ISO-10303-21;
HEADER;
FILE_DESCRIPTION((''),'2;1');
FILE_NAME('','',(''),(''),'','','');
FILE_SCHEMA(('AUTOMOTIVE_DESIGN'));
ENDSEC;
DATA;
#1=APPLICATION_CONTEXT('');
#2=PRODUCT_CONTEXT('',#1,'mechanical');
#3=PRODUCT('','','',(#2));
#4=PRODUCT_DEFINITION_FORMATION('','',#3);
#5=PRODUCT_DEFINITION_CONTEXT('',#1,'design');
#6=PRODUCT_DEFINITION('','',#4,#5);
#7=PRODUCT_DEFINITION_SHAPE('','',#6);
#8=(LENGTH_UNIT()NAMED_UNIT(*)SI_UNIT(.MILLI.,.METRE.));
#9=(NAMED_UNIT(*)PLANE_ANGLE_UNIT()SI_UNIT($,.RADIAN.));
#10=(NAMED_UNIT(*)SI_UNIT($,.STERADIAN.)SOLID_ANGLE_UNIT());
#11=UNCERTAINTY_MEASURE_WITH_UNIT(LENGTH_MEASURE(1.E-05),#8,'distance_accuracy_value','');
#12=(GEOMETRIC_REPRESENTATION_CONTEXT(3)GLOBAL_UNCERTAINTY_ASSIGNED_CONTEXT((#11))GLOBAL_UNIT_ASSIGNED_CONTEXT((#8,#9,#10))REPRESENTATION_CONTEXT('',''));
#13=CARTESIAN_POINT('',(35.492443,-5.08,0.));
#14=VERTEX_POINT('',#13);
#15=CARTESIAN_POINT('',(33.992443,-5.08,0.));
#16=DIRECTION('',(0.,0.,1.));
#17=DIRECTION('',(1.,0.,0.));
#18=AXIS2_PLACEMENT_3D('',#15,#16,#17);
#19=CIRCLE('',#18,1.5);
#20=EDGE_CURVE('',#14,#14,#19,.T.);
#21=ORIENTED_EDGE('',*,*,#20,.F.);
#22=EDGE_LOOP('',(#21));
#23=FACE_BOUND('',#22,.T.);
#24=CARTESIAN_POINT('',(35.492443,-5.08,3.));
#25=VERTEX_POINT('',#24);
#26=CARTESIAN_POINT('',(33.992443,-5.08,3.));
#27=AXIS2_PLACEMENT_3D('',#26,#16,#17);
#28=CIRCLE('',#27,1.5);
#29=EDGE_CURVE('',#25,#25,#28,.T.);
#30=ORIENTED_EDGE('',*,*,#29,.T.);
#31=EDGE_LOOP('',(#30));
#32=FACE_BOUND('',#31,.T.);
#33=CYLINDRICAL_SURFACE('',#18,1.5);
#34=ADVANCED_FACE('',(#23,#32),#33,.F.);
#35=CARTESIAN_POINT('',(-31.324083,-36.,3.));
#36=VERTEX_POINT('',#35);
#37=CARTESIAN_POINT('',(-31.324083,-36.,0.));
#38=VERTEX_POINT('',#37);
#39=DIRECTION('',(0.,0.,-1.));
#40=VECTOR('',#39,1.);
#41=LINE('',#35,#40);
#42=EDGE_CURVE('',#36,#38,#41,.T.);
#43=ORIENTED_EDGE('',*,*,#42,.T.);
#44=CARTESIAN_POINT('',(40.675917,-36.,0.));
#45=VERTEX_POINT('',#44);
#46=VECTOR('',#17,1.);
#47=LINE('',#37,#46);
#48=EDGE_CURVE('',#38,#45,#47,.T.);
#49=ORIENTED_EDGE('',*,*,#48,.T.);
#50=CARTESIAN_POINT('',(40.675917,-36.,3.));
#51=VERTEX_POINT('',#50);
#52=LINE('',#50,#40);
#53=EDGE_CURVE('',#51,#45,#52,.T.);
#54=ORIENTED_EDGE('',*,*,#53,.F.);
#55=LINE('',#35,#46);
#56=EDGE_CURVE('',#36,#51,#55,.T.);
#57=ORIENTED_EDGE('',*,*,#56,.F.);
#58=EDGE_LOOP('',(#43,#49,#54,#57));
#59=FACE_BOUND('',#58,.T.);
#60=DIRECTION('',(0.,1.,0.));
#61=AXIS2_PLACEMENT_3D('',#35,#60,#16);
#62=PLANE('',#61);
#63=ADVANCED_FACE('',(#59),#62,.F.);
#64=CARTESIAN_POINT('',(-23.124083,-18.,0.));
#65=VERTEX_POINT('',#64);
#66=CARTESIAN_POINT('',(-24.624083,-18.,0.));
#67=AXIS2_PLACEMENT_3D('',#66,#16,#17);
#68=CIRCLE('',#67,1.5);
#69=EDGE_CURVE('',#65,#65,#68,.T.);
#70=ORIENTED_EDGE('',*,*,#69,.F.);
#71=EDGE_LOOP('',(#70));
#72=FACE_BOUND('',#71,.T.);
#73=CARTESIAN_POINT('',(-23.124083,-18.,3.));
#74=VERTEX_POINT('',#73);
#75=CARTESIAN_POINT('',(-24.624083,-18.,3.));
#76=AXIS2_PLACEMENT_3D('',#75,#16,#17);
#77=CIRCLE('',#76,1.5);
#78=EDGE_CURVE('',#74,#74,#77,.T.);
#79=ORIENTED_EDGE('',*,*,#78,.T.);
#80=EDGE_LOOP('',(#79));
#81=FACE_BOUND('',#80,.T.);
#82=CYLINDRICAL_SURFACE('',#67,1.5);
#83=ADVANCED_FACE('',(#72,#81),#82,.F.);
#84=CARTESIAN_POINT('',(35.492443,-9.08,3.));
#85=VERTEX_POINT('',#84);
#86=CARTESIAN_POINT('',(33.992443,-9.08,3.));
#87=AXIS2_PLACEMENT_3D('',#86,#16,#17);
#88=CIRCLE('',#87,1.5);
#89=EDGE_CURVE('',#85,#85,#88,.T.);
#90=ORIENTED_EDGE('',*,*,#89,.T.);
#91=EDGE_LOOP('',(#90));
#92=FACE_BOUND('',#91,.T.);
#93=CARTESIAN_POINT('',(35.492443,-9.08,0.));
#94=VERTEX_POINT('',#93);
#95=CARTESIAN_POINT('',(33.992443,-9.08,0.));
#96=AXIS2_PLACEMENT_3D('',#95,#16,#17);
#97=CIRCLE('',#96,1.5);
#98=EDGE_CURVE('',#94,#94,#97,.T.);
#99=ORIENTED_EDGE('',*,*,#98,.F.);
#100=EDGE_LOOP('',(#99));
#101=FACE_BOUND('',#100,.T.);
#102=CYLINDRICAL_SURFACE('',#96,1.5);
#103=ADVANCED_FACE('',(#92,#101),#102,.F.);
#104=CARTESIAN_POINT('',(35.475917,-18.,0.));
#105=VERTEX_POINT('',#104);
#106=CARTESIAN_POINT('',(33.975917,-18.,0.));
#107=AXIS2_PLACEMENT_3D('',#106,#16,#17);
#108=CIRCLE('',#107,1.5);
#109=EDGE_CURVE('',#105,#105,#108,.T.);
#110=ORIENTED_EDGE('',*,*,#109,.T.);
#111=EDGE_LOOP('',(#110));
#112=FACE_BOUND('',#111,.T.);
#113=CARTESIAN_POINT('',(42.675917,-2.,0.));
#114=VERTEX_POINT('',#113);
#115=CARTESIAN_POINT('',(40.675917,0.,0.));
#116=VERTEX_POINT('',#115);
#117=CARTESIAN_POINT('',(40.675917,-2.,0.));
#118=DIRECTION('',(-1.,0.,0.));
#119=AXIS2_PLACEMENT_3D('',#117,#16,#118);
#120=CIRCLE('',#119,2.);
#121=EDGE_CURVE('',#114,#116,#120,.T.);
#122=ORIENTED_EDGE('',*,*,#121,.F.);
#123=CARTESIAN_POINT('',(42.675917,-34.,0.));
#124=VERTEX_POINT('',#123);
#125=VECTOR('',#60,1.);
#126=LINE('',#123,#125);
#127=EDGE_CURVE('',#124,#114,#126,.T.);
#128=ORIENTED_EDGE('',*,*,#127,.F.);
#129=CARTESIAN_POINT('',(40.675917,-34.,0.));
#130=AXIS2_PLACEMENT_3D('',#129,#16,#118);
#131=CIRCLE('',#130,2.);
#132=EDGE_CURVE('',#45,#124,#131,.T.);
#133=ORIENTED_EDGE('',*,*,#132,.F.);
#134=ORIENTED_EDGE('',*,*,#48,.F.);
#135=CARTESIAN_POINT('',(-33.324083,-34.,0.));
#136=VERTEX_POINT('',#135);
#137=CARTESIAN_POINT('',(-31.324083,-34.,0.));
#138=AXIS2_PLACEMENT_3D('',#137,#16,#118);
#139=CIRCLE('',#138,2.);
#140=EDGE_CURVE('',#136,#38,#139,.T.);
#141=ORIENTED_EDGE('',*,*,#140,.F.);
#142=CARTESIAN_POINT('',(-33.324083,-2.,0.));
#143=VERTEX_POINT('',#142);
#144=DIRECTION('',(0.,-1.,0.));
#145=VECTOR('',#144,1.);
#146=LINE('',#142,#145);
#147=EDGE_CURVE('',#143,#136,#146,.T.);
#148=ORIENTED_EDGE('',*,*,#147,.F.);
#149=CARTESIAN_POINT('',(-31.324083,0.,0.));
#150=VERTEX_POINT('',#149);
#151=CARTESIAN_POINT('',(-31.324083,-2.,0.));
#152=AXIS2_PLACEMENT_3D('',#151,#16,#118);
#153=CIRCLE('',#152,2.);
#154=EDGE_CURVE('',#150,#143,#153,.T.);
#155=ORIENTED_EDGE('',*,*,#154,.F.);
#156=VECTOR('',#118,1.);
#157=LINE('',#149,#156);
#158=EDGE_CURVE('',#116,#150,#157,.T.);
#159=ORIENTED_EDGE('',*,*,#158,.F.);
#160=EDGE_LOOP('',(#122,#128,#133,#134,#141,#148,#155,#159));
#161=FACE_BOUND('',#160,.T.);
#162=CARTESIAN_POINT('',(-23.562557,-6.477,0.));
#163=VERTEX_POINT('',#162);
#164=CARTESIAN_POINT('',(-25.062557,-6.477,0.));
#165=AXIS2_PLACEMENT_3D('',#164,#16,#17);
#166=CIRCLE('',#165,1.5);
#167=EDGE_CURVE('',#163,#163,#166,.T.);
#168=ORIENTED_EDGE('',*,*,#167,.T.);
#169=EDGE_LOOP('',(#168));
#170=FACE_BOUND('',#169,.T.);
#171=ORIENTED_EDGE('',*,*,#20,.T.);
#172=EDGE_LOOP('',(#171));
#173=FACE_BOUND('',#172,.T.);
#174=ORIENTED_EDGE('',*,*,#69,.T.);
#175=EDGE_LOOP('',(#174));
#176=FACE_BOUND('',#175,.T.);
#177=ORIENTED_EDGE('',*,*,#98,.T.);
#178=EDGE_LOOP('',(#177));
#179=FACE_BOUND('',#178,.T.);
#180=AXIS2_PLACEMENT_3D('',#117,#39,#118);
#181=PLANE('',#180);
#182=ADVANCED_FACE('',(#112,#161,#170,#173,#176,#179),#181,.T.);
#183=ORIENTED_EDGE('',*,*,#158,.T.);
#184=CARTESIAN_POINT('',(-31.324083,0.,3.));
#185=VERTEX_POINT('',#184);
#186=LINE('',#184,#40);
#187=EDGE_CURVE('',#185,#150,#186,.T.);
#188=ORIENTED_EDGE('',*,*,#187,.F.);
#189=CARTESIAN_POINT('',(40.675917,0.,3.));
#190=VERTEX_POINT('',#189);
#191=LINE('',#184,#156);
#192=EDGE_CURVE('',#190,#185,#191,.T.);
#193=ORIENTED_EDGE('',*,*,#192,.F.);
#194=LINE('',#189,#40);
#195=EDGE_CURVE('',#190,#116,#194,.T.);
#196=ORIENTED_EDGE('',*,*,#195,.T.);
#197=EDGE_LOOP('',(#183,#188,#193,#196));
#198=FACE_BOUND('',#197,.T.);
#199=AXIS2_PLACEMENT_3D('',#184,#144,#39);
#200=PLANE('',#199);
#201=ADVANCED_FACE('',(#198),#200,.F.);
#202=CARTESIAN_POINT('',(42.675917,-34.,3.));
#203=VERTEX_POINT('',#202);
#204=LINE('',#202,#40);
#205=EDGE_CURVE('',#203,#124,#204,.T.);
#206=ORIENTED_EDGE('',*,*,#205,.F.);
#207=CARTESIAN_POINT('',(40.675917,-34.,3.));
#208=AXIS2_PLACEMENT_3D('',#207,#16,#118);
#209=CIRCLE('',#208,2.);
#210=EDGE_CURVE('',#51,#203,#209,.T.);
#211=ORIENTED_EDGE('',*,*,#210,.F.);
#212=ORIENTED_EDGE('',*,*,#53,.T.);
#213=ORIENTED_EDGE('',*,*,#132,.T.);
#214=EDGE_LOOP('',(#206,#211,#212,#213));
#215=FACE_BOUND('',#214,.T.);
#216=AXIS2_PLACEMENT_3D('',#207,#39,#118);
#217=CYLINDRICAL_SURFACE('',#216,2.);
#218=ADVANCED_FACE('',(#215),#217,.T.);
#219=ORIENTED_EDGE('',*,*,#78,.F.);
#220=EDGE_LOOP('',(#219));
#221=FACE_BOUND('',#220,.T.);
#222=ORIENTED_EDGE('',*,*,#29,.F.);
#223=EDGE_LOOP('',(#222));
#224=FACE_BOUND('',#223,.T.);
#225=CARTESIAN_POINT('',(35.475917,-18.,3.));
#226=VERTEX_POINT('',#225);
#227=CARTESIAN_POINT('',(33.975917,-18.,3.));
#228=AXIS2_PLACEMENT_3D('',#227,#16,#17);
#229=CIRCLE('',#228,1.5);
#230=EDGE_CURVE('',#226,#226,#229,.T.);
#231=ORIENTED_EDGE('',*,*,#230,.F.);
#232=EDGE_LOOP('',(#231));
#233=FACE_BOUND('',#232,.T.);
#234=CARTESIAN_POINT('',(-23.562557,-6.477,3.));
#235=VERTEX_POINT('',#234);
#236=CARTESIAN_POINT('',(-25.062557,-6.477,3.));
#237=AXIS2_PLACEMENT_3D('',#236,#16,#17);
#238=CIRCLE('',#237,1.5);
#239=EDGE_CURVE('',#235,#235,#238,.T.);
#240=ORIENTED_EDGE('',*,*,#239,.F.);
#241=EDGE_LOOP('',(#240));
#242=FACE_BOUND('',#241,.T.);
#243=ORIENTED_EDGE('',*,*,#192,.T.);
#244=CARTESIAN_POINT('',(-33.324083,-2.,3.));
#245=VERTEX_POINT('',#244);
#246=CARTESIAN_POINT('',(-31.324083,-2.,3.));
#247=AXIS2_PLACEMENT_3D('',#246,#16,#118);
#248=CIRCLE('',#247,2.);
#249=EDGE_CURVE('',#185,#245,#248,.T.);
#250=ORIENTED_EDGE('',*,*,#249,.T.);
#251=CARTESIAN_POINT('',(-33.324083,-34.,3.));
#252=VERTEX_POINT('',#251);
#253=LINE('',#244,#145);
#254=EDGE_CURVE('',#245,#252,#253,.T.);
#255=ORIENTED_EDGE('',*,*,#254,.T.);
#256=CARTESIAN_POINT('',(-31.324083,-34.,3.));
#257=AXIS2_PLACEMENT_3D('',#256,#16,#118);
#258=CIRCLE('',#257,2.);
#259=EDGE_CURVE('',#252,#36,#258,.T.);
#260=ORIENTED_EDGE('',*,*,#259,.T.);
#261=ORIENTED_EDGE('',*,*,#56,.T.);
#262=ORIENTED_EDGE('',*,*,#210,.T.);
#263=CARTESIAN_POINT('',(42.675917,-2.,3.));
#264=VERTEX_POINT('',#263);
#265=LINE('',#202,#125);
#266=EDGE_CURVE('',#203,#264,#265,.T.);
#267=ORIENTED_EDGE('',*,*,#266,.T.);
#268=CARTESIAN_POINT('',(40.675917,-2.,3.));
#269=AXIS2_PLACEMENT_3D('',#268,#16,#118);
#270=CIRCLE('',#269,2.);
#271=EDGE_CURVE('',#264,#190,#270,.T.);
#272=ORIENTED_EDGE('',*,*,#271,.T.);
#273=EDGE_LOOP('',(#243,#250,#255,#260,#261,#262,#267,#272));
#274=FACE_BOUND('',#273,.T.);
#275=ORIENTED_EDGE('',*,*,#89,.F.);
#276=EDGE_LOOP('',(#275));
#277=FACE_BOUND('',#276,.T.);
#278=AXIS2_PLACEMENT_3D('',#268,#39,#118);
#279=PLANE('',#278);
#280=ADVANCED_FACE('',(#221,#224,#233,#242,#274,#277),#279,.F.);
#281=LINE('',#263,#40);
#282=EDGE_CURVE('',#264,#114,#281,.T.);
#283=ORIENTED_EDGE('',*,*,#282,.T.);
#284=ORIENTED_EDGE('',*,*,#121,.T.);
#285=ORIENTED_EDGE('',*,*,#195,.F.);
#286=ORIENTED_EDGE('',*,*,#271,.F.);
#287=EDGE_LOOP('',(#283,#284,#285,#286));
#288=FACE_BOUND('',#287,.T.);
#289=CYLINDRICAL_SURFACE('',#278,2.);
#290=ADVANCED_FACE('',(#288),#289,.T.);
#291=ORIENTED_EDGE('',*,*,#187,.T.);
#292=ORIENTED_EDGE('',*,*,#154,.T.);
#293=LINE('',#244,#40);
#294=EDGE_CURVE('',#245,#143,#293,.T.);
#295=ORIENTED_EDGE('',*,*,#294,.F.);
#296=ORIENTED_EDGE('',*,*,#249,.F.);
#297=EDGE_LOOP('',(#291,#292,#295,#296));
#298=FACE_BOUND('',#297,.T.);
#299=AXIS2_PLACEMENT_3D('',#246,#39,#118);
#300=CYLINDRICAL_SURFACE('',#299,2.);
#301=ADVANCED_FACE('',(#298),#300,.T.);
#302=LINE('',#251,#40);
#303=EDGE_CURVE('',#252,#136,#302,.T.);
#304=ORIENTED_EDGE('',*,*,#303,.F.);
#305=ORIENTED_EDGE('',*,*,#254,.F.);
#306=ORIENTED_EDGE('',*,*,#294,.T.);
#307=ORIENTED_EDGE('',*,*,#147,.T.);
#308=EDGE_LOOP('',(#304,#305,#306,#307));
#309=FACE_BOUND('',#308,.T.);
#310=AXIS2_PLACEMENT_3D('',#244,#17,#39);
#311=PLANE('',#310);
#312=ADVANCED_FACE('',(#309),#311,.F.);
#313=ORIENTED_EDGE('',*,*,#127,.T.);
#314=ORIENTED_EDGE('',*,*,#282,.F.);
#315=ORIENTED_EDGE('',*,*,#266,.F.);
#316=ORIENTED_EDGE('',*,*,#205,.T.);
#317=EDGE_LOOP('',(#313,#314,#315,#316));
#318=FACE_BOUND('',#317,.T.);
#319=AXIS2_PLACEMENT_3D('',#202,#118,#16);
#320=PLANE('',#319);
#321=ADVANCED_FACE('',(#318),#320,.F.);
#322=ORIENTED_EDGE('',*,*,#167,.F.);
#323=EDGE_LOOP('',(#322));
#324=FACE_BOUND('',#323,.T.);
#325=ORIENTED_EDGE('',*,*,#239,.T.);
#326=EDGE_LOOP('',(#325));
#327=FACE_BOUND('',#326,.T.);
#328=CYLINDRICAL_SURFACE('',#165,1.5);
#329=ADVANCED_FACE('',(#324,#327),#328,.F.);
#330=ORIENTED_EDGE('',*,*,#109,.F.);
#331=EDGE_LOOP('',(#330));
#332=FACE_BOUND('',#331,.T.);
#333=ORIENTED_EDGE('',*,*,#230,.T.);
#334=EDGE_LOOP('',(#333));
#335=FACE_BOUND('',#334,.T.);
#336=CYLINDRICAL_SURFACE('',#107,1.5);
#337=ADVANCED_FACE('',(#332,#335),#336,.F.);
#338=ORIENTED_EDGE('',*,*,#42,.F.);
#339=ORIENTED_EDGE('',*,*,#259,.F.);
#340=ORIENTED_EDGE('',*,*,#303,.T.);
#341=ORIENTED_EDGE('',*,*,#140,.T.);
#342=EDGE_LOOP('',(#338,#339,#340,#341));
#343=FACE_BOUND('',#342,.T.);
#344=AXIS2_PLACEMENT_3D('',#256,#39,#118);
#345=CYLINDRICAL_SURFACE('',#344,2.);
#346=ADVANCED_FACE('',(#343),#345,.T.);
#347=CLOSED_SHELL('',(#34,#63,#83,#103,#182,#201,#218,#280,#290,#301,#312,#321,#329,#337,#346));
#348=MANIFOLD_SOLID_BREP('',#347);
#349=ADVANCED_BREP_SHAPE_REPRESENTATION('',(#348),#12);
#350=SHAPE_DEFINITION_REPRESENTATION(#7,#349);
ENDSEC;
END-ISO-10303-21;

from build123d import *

# Parameters (mm, degrees)
EXTRUDE_1_DEPTH     = 3
SKETCH_2_R          = 1.5
CUT_EXTRUDE_1_DEPTH = 3


with BuildPart() as part:
    # 草图1 → 凸台-拉伸1 (new body)
    with BuildSketch(Plane.XY):
        with BuildLine():
            Line((-31.324082862, 0), (40.675917138, 0))
            ThreePointArc((40.675917138, 0), (42.090130701, -0.585786438), (42.675917138, -2))
            Line((42.675917138, -2), (42.675917138, -34))
            ThreePointArc((42.675917138, -34), (42.090130701, -35.414213562), (40.675917138, -36))
            Line((40.675917138, -36), (-31.324082862, -36))
            ThreePointArc((-31.324082862, -36), (-32.738296424, -35.414213562), (-33.324082862, -34))
            Line((-33.324082862, -34), (-33.324082862, -2))
            ThreePointArc((-33.324082862, -2), (-32.738296424, -0.585786438), (-31.324082862, 0))
        make_face()
    extrude(amount=EXTRUDE_1_DEPTH)

    # 草图2 → 切除-拉伸1 (cut)
    with BuildSketch(Plane.XY.offset(3)):
        with Locations((-24.624082862, -18)):
            Circle(SKETCH_2_R)
        with Locations((33.975917138, -18)):
            Circle(SKETCH_2_R)
        with Locations((-25.062556893, -6.477)):
            Circle(SKETCH_2_R)
        with Locations((33.992443107, -5.08)):
            Circle(SKETCH_2_R)
        with Locations((33.992443107, -9.08)):
            Circle(SKETCH_2_R)
    extrude(amount=-CUT_EXTRUDE_1_DEPTH, mode=Mode.SUBTRACT)


solid = part.part
